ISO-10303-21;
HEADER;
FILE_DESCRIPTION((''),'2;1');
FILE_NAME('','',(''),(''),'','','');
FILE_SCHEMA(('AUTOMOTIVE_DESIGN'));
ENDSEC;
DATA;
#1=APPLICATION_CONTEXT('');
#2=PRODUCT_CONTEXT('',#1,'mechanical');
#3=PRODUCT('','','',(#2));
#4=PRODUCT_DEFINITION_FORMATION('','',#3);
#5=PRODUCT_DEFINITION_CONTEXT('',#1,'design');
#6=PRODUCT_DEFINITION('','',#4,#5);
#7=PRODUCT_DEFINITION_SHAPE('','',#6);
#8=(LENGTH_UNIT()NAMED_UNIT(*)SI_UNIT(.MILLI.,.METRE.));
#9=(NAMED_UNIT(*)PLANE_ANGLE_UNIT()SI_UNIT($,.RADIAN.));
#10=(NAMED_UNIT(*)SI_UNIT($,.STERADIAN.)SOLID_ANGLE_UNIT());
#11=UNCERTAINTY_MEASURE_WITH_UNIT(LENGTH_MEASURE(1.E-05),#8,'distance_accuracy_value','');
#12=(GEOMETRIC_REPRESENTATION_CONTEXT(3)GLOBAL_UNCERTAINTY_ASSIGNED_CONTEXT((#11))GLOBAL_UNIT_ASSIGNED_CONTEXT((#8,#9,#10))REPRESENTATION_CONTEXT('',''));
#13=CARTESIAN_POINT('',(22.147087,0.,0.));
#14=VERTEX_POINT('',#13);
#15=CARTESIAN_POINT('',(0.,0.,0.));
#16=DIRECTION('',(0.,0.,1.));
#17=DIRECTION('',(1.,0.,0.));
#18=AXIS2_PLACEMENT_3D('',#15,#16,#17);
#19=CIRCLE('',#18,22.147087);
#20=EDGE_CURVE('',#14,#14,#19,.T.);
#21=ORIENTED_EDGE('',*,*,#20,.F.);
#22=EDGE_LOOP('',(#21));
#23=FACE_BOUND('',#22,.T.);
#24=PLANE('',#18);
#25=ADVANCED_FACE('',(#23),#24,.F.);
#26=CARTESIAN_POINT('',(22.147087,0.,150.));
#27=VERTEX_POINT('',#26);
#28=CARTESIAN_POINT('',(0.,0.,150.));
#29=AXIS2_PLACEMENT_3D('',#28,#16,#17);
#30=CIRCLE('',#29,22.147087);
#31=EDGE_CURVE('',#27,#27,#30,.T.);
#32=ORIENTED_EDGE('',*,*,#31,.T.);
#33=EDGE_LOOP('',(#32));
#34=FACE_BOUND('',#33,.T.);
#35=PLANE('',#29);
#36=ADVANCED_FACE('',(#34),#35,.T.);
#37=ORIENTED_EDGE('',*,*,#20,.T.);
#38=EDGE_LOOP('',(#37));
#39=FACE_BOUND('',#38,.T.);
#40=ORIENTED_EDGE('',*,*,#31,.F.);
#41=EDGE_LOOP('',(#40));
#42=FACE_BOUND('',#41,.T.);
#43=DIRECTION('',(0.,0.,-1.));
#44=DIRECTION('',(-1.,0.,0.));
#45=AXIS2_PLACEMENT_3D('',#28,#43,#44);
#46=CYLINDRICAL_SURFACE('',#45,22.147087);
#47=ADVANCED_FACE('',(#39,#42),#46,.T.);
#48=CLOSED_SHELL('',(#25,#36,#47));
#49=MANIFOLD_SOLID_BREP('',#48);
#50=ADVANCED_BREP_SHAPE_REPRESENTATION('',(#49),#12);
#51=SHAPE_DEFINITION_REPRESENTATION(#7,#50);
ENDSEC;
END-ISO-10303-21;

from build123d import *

# Parameters (mm, degrees)
SKETCH_1_R      = 22.147087182
EXTRUDE_1_DEPTH = 150


with BuildPart() as part:
    # 草图1 → 凸台-拉伸1 (new body)
    with BuildSketch(Plane.XY):
        Circle(SKETCH_1_R)
    extrude(amount=EXTRUDE_1_DEPTH)


solid = part.part
